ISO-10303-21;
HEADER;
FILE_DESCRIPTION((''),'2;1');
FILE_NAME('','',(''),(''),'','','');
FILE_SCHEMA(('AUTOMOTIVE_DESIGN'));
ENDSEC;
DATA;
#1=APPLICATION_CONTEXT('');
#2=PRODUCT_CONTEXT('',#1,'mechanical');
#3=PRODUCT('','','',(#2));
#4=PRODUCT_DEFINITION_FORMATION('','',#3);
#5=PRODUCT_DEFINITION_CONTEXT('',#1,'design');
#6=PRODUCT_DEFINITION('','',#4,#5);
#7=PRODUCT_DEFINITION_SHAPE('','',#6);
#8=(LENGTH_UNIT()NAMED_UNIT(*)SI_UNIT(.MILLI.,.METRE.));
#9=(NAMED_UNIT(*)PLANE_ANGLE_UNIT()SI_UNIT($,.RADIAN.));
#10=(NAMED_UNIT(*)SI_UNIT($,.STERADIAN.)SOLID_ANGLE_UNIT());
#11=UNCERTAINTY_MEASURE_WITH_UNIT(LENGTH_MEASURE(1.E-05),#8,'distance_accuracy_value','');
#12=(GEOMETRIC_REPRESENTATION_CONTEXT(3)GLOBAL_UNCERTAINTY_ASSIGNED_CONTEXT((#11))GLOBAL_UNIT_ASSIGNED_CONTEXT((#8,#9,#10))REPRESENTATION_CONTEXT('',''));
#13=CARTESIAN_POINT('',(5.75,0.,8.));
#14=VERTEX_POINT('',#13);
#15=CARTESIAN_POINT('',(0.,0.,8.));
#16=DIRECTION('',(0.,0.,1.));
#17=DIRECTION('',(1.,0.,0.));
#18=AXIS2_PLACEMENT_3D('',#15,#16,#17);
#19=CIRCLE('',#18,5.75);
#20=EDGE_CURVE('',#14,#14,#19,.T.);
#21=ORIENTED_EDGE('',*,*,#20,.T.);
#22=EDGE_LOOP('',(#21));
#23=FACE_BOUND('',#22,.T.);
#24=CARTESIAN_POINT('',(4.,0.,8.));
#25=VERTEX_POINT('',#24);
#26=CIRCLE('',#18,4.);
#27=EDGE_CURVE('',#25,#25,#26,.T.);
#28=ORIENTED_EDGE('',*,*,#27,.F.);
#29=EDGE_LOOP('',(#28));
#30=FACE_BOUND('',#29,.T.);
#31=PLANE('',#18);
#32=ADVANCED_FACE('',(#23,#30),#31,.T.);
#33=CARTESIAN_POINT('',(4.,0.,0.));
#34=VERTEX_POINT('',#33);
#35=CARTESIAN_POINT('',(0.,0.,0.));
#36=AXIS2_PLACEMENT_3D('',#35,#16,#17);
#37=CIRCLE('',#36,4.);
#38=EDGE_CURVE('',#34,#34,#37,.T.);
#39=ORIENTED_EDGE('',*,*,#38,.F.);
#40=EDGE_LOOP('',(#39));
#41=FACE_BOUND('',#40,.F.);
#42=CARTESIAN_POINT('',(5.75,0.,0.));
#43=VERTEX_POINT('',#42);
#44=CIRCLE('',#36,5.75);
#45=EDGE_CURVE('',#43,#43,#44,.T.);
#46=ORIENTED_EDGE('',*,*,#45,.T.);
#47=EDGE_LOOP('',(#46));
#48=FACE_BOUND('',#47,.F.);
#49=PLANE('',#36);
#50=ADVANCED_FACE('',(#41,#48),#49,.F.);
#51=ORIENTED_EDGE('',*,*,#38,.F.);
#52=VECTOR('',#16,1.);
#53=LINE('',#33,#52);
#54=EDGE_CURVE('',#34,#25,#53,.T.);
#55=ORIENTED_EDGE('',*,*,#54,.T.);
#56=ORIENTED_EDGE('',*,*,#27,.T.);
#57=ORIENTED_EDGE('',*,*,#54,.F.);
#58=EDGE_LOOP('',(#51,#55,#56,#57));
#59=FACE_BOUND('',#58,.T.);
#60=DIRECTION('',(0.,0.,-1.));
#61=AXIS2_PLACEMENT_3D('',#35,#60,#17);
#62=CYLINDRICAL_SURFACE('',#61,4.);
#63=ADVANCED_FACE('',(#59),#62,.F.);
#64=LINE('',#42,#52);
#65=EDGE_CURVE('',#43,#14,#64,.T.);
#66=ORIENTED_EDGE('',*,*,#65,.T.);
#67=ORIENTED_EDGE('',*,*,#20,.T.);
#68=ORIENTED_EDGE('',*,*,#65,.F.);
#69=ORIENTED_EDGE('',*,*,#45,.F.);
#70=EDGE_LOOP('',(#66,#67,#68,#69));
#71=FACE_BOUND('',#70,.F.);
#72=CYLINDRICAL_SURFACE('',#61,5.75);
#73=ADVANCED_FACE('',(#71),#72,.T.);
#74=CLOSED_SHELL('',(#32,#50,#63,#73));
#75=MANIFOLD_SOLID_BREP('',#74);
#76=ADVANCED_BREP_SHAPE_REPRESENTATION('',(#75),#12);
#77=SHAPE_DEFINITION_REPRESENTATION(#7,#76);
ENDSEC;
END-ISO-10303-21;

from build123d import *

# Parameters (mm, degrees)
F1_R     = 5.75
F1_R_2   = 4
F2_DEPTH = 8


with BuildPart() as f2:
    # F1 (on face) → F2 (new body)
    with BuildSketch(Plane.XY):
        Circle(F1_R)
        Circle(F1_R_2, mode=Mode.SUBTRACT)
    extrude(amount=F2_DEPTH)


solid = f2.part
